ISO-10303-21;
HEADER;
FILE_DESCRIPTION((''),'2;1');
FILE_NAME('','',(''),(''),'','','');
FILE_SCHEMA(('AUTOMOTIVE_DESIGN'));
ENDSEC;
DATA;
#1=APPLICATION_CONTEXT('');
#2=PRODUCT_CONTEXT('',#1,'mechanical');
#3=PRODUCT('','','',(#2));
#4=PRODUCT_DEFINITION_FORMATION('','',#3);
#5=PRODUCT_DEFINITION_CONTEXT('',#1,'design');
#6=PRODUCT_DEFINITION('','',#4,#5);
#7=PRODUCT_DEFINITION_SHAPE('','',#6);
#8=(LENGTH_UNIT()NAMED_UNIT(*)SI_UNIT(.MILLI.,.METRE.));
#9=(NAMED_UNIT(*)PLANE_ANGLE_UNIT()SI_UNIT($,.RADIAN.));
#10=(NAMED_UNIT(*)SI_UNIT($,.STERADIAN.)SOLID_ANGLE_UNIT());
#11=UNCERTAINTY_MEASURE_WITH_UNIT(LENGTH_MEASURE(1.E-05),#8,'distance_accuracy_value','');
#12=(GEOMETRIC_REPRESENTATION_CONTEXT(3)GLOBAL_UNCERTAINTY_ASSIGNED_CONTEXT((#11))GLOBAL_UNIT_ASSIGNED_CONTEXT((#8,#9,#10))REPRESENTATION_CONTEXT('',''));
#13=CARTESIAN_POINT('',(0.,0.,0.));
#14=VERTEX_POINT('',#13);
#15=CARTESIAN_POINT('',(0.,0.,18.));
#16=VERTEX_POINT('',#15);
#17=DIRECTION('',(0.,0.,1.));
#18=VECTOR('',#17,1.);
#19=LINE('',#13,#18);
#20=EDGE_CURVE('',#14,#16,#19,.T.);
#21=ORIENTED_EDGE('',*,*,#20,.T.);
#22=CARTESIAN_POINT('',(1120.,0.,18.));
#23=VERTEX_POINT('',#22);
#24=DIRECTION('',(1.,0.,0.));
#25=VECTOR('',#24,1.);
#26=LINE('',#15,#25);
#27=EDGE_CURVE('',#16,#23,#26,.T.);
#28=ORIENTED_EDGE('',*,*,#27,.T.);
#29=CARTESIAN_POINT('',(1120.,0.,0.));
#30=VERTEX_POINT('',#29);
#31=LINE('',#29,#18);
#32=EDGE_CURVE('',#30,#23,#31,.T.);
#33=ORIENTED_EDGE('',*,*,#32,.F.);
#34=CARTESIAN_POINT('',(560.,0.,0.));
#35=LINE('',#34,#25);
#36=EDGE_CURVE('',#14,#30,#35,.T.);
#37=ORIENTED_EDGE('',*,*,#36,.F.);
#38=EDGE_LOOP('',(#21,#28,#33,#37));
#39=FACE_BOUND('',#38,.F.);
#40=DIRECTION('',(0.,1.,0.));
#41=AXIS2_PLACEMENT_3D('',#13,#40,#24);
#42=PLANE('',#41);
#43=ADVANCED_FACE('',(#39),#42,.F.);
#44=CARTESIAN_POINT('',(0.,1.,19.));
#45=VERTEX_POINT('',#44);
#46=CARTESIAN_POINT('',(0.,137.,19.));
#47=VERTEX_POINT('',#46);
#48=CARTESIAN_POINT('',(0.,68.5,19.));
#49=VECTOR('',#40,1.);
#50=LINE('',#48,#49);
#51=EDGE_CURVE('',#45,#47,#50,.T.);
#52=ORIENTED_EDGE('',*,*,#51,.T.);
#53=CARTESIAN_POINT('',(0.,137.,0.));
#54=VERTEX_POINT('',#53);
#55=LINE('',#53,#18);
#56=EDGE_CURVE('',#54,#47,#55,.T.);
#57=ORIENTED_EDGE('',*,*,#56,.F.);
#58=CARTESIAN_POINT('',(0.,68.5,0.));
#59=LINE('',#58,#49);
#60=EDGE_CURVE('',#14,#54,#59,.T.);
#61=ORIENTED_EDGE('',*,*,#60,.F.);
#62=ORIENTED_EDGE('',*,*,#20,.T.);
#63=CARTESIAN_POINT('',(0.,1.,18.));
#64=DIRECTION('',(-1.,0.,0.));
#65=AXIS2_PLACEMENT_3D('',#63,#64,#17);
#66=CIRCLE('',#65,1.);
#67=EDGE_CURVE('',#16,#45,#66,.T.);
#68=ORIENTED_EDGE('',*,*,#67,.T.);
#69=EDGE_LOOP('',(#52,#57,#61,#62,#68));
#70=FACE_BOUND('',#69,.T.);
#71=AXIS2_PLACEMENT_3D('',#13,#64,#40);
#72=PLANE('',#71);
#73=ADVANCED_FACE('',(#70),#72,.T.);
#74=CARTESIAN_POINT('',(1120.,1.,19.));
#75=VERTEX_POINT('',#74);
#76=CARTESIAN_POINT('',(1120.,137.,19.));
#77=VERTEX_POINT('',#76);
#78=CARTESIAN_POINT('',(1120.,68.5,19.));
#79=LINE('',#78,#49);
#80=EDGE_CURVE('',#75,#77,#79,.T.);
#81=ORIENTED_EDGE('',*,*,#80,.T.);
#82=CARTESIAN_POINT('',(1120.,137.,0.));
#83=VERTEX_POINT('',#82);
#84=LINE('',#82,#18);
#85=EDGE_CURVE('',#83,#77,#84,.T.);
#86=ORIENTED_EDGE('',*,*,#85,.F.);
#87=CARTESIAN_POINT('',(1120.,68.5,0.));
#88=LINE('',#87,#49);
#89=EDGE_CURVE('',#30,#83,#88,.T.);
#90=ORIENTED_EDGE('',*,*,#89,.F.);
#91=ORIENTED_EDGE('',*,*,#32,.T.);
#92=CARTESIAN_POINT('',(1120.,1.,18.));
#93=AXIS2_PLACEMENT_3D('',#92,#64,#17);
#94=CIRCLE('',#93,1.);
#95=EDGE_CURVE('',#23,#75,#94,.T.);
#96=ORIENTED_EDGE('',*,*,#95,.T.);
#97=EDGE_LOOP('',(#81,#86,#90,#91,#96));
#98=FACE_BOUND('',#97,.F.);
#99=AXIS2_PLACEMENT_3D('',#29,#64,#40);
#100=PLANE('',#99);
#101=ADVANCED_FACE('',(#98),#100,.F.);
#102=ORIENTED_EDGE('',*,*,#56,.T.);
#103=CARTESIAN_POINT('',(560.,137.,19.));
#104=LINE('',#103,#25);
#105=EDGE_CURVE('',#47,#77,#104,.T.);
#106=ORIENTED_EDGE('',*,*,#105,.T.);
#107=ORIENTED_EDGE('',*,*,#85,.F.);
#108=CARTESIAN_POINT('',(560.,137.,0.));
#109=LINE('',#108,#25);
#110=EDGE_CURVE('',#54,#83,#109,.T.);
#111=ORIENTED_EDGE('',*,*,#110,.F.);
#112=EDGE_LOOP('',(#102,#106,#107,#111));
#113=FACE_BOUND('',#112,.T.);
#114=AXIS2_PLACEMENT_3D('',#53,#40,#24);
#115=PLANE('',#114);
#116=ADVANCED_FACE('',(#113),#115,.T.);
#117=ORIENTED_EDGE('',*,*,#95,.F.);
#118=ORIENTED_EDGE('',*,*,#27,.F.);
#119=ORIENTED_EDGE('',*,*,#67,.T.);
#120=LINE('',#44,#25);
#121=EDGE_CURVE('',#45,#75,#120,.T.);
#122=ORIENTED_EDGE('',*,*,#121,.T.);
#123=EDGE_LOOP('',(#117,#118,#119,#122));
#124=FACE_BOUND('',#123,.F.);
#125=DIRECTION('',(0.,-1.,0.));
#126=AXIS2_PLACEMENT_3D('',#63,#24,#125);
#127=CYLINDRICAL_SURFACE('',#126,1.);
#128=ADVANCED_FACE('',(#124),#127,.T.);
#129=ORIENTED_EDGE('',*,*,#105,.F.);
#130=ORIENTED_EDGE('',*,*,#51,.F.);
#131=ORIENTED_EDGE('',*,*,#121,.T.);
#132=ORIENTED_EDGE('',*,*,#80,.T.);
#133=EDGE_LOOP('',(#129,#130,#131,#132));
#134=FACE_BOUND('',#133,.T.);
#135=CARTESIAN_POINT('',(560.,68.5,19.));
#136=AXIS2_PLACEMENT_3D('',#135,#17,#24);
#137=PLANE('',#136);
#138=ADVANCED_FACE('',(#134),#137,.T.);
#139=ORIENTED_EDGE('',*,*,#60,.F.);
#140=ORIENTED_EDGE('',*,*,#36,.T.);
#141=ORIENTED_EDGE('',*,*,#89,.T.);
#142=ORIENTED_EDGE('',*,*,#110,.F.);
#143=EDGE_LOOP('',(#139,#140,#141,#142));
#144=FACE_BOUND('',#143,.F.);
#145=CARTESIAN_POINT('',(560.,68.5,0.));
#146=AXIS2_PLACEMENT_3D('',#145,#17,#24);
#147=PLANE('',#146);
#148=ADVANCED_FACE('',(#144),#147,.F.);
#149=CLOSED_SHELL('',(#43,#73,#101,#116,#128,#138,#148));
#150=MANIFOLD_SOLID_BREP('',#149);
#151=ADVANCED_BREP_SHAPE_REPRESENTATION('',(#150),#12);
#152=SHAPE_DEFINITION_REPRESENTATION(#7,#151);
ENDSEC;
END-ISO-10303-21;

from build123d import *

# Parameters (mm, degrees)
BOX_W     = 1120
BOX_H     = 137
BOX_DEPTH = 19
FILLET_R  = 1


with BuildPart() as part:
    # Box → Box (new body)
    with BuildSketch(Plane.XY):
        with Locations((560, 68.5)):
            Rectangle(BOX_W, BOX_H)
    extrude(amount=BOX_DEPTH)

    # Fillet
    fillet_edges = [part.edges().sort_by_distance(p)[0] for p in [
        (560, 0, 19),
    ]]
    fillet(fillet_edges, radius=FILLET_R)


solid = part.part
